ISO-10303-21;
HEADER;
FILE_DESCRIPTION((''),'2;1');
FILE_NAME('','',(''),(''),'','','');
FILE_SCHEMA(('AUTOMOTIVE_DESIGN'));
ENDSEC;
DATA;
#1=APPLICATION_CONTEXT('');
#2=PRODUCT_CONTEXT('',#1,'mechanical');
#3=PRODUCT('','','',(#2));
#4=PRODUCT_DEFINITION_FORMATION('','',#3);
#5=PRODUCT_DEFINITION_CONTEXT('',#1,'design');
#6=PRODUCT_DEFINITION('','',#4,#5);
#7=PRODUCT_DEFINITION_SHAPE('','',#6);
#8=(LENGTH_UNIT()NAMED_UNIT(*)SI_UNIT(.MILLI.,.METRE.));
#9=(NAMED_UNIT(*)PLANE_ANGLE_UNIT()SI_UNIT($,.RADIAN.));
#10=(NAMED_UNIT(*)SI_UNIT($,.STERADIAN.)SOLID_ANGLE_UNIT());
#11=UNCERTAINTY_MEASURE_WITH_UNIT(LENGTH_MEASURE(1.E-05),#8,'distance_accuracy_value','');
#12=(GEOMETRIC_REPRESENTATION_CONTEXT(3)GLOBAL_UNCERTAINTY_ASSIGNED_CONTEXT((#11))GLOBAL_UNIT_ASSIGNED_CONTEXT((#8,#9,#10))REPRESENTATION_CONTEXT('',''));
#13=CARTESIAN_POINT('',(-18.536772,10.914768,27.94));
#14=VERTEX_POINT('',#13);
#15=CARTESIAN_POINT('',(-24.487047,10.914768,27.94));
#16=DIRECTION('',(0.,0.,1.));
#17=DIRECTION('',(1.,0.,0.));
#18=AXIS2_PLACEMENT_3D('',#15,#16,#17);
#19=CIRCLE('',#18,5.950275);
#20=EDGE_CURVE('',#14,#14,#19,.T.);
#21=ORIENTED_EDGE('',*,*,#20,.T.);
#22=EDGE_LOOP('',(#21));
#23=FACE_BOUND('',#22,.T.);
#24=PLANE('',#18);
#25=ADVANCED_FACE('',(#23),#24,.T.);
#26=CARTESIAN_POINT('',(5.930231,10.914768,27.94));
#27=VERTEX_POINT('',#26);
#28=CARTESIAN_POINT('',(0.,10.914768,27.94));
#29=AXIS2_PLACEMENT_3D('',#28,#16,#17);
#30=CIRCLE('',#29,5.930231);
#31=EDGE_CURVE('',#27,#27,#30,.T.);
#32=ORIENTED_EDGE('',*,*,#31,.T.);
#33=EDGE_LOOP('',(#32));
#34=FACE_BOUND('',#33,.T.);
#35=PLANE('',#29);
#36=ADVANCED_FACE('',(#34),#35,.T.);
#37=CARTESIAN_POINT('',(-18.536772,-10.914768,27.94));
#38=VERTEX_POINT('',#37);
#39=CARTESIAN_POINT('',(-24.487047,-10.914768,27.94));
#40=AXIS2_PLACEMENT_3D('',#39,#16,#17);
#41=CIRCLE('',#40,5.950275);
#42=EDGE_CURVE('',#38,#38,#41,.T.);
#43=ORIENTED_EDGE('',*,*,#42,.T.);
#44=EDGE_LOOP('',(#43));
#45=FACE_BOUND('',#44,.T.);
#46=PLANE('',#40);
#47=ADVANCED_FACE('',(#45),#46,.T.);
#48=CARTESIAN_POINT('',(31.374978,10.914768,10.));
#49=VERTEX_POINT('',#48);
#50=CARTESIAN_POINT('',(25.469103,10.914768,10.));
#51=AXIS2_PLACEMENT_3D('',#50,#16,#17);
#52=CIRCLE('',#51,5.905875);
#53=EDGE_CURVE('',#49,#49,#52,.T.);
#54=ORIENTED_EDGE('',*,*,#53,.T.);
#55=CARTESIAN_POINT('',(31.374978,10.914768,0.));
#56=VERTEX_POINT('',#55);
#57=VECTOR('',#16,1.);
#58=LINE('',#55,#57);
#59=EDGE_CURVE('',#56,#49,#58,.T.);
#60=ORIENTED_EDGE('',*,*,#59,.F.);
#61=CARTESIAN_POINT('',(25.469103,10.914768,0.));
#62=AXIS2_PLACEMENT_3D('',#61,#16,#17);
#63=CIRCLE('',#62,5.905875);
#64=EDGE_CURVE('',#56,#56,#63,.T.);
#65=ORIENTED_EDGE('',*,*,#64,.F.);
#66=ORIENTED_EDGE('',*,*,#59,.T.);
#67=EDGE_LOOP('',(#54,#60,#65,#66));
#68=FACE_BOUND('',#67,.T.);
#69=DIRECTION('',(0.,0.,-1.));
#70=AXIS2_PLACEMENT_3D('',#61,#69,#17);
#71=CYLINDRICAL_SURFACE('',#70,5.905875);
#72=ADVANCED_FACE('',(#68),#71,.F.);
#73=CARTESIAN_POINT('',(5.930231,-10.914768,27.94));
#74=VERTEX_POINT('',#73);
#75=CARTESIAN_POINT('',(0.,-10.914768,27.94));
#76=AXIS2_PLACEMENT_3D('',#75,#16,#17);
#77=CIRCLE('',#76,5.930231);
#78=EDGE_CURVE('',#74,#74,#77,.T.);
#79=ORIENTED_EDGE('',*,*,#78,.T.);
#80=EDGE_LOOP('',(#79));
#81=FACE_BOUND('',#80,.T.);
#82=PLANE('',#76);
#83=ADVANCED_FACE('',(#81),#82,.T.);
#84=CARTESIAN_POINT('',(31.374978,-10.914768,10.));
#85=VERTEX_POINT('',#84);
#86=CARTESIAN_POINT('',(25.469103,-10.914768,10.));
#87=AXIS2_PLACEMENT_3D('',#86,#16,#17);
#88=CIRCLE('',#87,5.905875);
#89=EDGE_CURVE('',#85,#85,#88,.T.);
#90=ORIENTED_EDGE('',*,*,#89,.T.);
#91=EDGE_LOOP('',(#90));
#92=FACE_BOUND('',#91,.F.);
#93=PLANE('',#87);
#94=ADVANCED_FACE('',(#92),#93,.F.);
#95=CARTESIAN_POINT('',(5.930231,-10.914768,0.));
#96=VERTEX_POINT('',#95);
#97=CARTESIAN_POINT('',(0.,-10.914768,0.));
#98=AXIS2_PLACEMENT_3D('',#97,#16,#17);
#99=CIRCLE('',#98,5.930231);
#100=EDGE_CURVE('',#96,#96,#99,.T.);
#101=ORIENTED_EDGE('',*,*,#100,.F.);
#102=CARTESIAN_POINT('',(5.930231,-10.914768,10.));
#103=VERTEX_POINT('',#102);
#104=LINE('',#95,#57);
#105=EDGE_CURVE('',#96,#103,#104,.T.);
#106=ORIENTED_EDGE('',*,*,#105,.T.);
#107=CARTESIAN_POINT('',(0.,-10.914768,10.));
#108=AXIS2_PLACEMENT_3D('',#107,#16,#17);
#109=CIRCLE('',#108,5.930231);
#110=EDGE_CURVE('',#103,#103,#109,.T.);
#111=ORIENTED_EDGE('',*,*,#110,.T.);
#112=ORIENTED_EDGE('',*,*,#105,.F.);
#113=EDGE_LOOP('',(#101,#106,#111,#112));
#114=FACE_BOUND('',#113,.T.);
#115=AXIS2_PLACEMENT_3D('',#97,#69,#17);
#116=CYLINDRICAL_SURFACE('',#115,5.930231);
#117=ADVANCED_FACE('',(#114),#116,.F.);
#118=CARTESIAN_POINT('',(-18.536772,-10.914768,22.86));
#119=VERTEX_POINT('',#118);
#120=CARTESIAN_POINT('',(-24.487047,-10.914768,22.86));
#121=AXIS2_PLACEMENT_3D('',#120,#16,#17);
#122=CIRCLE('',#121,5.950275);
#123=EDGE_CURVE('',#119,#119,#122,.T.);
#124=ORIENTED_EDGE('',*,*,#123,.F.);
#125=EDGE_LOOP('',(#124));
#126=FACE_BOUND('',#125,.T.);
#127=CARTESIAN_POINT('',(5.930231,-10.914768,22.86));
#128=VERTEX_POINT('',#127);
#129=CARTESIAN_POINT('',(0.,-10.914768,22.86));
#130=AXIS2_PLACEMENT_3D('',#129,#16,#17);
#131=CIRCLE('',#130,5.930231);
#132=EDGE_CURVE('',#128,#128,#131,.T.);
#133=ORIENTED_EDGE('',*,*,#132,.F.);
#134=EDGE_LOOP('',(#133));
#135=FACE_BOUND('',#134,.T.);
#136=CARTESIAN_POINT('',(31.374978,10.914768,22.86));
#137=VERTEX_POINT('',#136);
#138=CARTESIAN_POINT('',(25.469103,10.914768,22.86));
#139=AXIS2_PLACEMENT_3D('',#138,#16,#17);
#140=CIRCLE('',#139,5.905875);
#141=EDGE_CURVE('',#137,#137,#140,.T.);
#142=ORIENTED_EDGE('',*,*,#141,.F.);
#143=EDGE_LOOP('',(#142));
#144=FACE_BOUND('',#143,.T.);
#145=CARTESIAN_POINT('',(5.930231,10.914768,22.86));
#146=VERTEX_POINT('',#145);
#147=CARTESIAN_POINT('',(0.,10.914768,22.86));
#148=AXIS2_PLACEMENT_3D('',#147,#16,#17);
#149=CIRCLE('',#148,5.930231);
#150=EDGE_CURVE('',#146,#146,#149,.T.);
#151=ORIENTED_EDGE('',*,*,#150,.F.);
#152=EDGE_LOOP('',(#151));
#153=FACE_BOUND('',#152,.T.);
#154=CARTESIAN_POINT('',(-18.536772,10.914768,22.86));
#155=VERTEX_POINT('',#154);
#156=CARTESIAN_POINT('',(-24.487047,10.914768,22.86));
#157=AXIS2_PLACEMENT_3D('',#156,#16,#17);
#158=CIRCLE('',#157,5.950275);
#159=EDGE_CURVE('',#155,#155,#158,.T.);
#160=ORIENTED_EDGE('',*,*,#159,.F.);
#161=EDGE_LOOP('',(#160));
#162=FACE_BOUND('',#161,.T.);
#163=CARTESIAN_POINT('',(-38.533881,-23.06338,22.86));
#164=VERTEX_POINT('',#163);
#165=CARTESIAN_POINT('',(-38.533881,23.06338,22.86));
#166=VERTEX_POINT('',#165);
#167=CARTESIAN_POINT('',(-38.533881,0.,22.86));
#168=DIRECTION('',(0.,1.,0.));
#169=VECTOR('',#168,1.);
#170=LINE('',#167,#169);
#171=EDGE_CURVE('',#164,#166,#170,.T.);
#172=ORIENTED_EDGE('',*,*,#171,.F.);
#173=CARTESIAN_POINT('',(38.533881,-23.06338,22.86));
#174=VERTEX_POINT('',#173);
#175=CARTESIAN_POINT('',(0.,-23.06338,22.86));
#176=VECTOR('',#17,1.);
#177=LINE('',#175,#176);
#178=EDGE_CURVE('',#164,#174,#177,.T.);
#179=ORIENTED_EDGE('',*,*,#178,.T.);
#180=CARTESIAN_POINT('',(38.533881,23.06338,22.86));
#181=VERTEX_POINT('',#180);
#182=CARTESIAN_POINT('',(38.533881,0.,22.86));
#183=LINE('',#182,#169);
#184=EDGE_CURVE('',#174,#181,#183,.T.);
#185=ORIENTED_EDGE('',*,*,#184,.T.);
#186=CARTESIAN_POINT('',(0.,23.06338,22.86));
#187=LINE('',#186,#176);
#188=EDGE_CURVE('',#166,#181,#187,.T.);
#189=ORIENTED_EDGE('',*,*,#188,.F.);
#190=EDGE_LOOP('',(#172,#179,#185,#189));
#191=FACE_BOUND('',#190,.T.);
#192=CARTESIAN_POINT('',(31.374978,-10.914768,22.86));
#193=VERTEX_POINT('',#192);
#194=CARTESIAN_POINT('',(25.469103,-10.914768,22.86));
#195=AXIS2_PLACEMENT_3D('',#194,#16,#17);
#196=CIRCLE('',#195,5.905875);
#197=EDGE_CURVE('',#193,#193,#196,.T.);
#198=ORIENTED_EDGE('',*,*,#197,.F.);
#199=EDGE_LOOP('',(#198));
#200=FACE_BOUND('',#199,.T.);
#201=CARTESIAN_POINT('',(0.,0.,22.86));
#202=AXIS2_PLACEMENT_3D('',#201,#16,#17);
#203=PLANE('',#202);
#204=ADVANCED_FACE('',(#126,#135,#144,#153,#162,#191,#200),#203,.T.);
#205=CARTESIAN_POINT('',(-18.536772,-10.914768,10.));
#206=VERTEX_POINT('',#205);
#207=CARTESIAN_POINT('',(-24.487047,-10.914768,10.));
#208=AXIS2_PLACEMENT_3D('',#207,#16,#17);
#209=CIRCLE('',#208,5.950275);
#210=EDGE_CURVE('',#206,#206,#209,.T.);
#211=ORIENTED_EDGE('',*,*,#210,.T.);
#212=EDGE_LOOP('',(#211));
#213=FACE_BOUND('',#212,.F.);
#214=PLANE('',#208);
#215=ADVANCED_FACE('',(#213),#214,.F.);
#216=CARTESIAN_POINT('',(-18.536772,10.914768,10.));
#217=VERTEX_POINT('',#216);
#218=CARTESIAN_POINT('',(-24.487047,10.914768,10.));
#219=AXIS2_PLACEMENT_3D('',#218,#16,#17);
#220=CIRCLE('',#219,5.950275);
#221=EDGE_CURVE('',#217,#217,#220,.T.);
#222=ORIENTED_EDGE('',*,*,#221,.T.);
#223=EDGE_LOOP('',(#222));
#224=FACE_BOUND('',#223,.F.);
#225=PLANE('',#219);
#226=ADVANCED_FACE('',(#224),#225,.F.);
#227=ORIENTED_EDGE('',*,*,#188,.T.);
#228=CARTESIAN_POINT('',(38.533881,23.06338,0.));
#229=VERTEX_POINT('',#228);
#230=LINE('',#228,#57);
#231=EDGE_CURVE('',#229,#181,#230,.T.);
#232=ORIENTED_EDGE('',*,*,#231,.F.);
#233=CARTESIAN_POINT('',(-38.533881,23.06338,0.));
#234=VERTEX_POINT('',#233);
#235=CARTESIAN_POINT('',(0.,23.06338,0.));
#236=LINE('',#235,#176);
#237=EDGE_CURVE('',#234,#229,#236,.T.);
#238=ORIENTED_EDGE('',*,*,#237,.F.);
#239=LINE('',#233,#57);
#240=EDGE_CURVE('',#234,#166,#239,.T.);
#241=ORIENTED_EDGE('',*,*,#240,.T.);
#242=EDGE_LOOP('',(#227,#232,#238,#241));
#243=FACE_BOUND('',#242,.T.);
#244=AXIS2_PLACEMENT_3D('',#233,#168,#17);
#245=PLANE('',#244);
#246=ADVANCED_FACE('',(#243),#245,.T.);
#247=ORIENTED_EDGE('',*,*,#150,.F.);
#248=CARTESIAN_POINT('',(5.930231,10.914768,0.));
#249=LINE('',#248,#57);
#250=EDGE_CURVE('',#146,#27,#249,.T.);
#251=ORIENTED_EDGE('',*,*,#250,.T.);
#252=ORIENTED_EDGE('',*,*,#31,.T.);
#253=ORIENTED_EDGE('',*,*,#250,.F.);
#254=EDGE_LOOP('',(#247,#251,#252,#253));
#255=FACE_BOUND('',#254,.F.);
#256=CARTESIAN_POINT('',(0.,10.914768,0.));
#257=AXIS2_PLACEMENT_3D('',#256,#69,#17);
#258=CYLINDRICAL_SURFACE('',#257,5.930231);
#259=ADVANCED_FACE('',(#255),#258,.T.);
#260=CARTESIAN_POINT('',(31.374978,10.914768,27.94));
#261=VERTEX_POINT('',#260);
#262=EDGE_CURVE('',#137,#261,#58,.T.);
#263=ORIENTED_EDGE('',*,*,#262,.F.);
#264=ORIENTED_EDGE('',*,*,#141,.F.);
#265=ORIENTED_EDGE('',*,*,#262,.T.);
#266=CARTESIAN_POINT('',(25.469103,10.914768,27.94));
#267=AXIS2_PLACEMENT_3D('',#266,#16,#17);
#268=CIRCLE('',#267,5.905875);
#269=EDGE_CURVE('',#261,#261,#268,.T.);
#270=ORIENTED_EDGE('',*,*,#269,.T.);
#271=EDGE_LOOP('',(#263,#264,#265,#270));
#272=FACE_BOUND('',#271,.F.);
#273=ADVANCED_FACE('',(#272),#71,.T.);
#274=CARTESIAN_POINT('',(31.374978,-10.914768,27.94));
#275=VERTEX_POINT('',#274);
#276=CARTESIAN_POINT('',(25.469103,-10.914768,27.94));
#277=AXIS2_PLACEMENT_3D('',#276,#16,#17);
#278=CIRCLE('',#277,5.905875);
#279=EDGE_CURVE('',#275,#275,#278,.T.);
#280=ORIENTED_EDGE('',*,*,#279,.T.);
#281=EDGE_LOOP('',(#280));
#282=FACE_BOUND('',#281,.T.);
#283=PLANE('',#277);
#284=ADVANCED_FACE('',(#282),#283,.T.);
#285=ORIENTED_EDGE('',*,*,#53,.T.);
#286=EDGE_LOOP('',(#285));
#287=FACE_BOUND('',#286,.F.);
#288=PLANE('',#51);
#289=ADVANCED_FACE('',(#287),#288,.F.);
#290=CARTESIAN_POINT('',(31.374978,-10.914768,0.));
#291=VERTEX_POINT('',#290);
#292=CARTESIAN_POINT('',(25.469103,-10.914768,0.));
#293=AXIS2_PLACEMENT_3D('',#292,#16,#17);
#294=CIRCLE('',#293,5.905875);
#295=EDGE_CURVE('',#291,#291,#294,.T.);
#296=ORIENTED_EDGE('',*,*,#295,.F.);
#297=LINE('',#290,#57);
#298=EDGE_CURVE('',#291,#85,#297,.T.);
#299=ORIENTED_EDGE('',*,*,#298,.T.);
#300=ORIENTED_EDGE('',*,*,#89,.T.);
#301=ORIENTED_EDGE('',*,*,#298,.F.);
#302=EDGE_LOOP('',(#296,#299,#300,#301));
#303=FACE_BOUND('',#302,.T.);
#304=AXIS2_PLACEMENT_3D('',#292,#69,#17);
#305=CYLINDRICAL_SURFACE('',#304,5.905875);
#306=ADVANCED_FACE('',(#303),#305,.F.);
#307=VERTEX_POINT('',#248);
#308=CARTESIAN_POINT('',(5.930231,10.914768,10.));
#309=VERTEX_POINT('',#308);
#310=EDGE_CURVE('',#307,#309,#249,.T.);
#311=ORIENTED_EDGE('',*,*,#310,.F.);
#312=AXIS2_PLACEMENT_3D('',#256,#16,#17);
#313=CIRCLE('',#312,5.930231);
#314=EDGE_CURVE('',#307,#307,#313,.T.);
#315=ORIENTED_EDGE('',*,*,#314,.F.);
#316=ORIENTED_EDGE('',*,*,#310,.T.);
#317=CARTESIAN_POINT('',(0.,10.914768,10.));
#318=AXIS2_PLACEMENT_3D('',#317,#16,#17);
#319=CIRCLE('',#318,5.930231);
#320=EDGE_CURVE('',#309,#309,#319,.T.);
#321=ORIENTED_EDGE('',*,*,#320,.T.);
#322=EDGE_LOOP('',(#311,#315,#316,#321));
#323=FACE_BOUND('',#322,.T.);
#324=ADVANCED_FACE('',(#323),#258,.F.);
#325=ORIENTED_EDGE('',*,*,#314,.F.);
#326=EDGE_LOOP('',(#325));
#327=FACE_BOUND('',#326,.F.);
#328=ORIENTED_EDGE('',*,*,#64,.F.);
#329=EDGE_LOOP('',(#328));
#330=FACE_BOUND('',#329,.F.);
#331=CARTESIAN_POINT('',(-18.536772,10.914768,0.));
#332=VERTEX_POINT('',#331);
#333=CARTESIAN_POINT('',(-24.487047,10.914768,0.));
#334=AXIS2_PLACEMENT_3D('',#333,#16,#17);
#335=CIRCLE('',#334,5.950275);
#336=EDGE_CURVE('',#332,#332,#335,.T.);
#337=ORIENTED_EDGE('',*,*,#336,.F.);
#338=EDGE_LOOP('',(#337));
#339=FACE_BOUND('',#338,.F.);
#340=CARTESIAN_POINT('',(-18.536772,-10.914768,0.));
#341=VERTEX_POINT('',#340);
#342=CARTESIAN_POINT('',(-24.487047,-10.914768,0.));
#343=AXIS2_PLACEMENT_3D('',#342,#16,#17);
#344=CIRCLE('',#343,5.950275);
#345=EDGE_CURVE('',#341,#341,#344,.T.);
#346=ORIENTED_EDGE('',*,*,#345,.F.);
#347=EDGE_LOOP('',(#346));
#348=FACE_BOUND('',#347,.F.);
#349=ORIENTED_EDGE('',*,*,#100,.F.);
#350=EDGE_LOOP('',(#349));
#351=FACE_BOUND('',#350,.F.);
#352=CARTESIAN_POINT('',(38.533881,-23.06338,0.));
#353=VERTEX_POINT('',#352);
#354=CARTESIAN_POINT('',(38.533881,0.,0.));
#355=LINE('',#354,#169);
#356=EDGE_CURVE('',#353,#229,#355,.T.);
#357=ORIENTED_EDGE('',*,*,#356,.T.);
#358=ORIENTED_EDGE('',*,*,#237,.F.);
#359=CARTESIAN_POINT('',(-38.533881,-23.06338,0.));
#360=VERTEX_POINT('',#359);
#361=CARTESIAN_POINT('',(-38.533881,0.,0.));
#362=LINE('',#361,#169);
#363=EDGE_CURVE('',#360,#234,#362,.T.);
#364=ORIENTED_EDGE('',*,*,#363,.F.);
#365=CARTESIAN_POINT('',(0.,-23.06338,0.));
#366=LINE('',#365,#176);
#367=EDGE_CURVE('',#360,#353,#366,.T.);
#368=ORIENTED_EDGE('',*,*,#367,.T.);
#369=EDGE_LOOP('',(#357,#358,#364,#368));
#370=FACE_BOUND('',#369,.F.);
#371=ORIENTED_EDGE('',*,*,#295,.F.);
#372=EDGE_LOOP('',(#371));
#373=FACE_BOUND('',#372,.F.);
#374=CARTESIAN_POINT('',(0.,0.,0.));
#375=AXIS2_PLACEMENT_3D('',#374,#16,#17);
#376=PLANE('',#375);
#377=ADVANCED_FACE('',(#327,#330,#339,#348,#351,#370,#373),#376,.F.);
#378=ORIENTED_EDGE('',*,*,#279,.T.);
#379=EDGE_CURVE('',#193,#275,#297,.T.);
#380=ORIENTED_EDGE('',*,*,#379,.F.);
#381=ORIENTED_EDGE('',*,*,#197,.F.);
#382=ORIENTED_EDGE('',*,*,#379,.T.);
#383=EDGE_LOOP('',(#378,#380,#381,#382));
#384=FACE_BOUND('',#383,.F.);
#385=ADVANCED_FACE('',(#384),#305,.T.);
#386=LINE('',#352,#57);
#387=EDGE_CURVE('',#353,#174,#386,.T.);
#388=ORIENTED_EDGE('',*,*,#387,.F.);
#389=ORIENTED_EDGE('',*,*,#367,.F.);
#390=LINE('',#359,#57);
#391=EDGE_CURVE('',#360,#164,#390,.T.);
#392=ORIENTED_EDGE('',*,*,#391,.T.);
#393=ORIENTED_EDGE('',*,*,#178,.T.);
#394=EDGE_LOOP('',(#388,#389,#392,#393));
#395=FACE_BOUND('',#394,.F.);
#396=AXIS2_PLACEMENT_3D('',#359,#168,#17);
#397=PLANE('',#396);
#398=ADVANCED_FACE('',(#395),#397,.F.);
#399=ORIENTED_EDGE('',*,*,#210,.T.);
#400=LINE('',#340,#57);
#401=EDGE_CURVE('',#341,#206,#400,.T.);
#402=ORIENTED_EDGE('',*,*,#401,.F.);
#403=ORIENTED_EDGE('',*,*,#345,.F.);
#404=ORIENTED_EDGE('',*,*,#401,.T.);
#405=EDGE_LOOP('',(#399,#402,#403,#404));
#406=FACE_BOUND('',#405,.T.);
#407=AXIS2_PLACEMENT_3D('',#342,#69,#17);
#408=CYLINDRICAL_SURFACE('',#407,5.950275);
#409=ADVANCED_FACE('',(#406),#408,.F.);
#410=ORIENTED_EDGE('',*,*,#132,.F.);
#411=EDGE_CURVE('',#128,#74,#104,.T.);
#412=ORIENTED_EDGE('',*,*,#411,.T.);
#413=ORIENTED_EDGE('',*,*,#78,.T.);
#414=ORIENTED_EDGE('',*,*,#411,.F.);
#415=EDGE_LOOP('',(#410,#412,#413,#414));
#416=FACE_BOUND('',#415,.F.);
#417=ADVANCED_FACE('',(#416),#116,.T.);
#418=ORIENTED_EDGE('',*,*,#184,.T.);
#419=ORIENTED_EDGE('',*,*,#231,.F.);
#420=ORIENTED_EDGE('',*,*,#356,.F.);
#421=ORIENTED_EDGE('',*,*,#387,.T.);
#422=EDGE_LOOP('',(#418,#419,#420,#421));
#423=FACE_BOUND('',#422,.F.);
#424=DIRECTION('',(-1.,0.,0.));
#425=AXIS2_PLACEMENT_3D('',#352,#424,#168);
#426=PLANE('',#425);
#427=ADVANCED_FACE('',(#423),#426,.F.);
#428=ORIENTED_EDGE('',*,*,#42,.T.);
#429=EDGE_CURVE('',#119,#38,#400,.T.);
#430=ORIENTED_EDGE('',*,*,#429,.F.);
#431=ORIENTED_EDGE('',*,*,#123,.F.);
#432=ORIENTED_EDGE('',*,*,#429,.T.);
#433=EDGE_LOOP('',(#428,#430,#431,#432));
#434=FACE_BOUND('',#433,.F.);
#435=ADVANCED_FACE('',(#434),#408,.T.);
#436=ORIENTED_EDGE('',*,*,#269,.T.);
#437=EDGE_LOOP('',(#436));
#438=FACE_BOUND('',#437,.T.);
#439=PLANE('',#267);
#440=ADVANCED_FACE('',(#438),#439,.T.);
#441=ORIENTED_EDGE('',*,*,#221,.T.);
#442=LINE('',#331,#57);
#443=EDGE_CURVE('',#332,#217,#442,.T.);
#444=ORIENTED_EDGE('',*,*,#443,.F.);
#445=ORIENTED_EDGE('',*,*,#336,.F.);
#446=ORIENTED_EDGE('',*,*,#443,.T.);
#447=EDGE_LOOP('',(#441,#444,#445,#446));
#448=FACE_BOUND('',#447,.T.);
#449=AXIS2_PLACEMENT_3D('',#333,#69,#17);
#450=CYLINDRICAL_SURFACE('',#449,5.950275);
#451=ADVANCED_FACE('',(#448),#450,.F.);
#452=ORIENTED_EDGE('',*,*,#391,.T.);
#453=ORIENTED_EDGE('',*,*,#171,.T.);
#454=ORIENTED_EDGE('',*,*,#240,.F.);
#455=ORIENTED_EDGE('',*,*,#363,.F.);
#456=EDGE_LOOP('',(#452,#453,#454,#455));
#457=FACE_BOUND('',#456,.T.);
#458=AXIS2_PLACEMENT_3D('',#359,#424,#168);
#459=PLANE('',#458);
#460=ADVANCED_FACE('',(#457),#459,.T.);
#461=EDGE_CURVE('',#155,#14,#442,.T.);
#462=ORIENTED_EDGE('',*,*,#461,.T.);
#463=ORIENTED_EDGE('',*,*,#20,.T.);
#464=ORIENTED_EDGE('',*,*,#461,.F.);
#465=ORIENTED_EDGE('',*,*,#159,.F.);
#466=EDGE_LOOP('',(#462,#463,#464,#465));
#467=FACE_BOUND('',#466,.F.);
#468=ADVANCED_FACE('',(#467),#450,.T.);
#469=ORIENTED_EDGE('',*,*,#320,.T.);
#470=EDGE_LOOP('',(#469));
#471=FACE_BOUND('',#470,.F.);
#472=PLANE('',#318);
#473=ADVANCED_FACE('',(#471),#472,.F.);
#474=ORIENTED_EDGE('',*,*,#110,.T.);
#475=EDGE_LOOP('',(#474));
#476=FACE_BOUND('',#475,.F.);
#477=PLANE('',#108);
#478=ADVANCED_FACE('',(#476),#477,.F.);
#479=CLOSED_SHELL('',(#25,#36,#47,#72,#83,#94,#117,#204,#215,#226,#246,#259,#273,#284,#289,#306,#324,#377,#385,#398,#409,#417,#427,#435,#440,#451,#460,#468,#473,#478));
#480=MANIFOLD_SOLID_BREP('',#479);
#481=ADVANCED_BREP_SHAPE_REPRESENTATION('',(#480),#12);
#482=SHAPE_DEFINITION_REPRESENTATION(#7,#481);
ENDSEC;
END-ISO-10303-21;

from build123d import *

# Parameters (mm, degrees)
F0_W     = 77.067762
F0_H     = 46.12676
F0_R     = 5.950275
F0_R_2   = 5.930231
F0_R_3   = 5.905875
F1_DEPTH = 22.86
F2_DEPTH = 27.94
F3_DEPTH = 27.94
F4_DEPTH = 10


with BuildPart() as f1:
    # F0 (on Top) → F1 (new body)
    with BuildSketch(Plane.XY):
        Rectangle(F0_W, F0_H)
        with Locations((-24.487047, -10.914768)):
            Circle(F0_R, mode=Mode.SUBTRACT)
        with Locations((0, -10.914768)):
            Circle(F0_R_2, mode=Mode.SUBTRACT)
        with Locations((25.469103, -10.914768)):
            Circle(F0_R_3, mode=Mode.SUBTRACT)
        with Locations((-24.487047, 10.914768)):
            Circle(F0_R, mode=Mode.SUBTRACT)
        with Locations((0, 10.914768)):
            Circle(F0_R_2, mode=Mode.SUBTRACT)
        with Locations((25.469103, 10.914768)):
            Circle(F0_R_3, mode=Mode.SUBTRACT)
    extrude(amount=F1_DEPTH)

    # F0 (on Top) → F2 (join)
    with BuildSketch(Plane.XY):
        with Locations((-24.487047, 10.914768)):
            Circle(F0_R)
        with Locations((0, 10.914768)):
            Circle(F0_R_2)
        with Locations((25.469103, 10.914768)):
            Circle(F0_R_3)
        with Locations((25.469103, -10.914768)):
            Circle(F0_R_3)
        with Locations((0, -10.914768)):
            Circle(F0_R_2)
        with Locations((-24.487047, -10.914768)):
            Circle(F0_R)
    extrude(amount=F2_DEPTH)

    # F0 (on Top) → F3 (join, through all)
    with BuildSketch(Plane.XY):
        with Locations((-24.487047, 10.914768)):
            Circle(F0_R)
        with Locations((-24.487047, -10.914768)):
            Circle(F0_R)
        with Locations((0, -10.914768)):
            Circle(F0_R_2)
        with Locations((0, 10.914768)):
            Circle(F0_R_2)
        with Locations((25.469103, 10.914768)):
            Circle(F0_R_3)
        with Locations((25.469103, -10.914768)):
            Circle(F0_R_3)
    extrude(amount=F3_DEPTH)

    # F0 (on Top) → F4 (cut)
    with BuildSketch(Plane.XY):
        with Locations((-24.487047, -10.914768)):
            Circle(F0_R)
        with Locations((0, -10.914768)):
            Circle(F0_R_2)
        with Locations((25.469103, -10.914768)):
            Circle(F0_R_3)
        with Locations((25.469103, 10.914768)):
            Circle(F0_R_3)
        with Locations((0, 10.914768)):
            Circle(F0_R_2)
        with Locations((-24.487047, 10.914768)):
            Circle(F0_R)
    extrude(amount=F4_DEPTH, mode=Mode.SUBTRACT)


solid = f1.part
